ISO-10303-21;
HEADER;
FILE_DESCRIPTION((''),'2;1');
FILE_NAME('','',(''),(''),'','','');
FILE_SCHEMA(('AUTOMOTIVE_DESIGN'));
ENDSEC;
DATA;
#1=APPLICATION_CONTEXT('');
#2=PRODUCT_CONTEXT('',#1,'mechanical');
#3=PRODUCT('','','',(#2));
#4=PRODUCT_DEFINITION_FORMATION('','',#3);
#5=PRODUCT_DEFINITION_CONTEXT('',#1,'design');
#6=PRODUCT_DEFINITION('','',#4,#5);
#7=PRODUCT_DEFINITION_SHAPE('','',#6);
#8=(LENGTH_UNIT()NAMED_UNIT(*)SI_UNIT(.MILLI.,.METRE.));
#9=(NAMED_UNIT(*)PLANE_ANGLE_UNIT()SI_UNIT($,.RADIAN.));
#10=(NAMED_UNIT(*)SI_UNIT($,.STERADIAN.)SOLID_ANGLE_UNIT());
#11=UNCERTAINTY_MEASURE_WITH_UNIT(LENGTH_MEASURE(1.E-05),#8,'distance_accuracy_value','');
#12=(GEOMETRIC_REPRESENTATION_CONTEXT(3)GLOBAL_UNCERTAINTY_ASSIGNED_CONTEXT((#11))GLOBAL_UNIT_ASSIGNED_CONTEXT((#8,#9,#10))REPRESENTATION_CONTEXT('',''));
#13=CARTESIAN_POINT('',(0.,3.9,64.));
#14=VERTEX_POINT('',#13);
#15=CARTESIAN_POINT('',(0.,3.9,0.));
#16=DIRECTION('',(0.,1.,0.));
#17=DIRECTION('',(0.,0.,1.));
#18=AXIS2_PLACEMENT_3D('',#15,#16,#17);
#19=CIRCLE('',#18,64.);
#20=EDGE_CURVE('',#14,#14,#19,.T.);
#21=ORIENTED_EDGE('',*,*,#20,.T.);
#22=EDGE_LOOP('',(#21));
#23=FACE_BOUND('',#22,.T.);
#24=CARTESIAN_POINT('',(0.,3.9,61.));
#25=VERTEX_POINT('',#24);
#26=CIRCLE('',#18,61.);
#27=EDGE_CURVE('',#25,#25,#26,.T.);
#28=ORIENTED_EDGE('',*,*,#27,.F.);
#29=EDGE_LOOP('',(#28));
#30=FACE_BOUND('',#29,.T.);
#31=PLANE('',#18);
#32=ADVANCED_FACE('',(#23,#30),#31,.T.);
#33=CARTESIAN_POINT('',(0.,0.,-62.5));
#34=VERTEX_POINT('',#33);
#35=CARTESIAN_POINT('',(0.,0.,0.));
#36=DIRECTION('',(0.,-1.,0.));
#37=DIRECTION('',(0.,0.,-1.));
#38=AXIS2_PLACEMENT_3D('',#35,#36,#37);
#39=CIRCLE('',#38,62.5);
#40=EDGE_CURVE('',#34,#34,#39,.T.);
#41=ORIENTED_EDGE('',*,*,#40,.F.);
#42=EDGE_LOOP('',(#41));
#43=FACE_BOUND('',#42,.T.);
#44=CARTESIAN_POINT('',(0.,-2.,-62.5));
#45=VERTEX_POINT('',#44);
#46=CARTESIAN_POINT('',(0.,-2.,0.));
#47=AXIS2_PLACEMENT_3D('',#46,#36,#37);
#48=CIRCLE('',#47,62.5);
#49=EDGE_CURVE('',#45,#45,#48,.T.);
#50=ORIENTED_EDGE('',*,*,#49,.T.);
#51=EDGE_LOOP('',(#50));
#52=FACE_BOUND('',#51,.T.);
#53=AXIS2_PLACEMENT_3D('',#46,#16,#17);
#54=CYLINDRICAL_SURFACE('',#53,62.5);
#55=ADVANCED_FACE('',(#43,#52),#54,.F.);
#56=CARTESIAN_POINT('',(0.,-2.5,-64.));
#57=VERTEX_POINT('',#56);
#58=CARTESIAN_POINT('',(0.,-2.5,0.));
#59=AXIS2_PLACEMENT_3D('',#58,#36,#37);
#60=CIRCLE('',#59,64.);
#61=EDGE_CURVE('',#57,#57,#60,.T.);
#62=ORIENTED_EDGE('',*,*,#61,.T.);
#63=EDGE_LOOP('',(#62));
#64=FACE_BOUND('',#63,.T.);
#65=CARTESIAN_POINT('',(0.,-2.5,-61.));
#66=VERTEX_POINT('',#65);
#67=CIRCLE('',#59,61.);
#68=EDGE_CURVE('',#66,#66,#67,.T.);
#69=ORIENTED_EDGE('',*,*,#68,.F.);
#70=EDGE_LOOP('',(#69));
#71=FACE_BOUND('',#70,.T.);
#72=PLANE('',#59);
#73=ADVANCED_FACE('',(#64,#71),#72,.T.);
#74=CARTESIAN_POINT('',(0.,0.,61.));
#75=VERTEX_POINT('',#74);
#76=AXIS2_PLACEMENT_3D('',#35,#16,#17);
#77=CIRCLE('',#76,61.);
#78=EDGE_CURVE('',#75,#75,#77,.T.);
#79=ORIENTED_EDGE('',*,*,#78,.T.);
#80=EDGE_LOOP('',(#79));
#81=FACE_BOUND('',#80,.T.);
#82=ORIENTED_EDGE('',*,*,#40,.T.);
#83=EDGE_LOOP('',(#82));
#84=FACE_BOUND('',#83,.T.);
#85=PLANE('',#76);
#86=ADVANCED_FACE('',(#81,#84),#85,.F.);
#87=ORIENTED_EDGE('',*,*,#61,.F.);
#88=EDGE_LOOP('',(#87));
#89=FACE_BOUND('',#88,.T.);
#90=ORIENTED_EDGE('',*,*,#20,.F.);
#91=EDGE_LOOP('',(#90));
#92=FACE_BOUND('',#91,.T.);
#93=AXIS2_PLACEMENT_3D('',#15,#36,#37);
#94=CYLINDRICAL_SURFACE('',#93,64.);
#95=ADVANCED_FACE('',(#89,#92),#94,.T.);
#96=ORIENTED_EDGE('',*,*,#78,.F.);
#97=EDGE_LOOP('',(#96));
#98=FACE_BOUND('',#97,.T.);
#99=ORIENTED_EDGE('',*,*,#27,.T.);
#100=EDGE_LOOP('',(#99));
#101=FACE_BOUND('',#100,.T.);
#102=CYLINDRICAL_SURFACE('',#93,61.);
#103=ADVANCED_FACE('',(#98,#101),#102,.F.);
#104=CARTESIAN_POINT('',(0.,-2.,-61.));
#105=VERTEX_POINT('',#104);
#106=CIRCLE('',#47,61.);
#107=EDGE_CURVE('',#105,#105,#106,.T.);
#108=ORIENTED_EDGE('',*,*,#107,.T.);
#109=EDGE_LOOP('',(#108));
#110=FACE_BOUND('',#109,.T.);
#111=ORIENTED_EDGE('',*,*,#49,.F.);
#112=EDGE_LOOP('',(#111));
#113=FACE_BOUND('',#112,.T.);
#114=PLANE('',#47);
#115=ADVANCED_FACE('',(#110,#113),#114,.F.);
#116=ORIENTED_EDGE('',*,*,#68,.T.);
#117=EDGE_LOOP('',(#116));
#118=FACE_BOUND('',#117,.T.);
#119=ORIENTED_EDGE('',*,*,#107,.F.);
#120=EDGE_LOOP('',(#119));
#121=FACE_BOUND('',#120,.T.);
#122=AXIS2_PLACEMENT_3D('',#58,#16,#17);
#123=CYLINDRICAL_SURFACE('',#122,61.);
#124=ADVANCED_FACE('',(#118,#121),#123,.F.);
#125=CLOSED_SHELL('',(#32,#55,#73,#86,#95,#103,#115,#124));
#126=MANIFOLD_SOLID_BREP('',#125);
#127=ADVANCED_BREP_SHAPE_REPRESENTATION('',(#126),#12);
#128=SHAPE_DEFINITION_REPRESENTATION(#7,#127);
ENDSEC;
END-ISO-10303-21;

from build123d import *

# Parameters (mm, degrees)
CROQUIS1_R              = 64
CROQUIS1_R_2            = 61
SALIENTE_EXTRUIR1_DEPTH = 3.9
SALIENTE_EXTRUIR2_START = 2
CROQUIS2_R              = 64
CROQUIS2_R_2            = 62.5
SALIENTE_EXTRUIR2_DEPTH = 2
SALIENTE_EXTRUIR3_START = 0.5
CROQUIS3_R              = 64
CROQUIS3_R_2            = 61
SALIENTE_EXTRUIR3_DEPTH = 0.5


with BuildPart() as part:
    # Croquis1 → Saliente-Extruir1 (new body)
    with BuildSketch(Plane(origin=(0, 0, 0), x_dir=(1, 0, 0), z_dir=(0, 1, 0))):
        with Locations(Location((0, 0, 0), (0, 0, 270))):
            Circle(CROQUIS1_R)
        with Locations(Location((0, 0, 0), (0, 0, 270))):
            Circle(CROQUIS1_R_2, mode=Mode.SUBTRACT)
    extrude(amount=SALIENTE_EXTRUIR1_DEPTH)

    # Croquis2 → Saliente-Extruir2 (add)
    with BuildSketch(Plane.XZ.offset(SALIENTE_EXTRUIR2_START)):
        with Locations(Location((0, 0, 0), (0, 0, 270))):
            Circle(CROQUIS2_R)
        with Locations(Location((0, 0, 0), (0, 0, 270))):
            Circle(CROQUIS2_R_2, mode=Mode.SUBTRACT)
    extrude(amount=-SALIENTE_EXTRUIR2_DEPTH)

    # Croquis3 → Saliente-Extruir3 (add)
    with BuildSketch(Plane.XZ.offset(2).offset(SALIENTE_EXTRUIR3_START)):
        with Locations(Location((0, 0, 0), (0, 0, 270))):
            Circle(CROQUIS3_R)
        with Locations(Location((0, 0, 0), (0, 0, 90))):
            Circle(CROQUIS3_R_2, mode=Mode.SUBTRACT)
    extrude(amount=-SALIENTE_EXTRUIR3_DEPTH)


solid = part.part
